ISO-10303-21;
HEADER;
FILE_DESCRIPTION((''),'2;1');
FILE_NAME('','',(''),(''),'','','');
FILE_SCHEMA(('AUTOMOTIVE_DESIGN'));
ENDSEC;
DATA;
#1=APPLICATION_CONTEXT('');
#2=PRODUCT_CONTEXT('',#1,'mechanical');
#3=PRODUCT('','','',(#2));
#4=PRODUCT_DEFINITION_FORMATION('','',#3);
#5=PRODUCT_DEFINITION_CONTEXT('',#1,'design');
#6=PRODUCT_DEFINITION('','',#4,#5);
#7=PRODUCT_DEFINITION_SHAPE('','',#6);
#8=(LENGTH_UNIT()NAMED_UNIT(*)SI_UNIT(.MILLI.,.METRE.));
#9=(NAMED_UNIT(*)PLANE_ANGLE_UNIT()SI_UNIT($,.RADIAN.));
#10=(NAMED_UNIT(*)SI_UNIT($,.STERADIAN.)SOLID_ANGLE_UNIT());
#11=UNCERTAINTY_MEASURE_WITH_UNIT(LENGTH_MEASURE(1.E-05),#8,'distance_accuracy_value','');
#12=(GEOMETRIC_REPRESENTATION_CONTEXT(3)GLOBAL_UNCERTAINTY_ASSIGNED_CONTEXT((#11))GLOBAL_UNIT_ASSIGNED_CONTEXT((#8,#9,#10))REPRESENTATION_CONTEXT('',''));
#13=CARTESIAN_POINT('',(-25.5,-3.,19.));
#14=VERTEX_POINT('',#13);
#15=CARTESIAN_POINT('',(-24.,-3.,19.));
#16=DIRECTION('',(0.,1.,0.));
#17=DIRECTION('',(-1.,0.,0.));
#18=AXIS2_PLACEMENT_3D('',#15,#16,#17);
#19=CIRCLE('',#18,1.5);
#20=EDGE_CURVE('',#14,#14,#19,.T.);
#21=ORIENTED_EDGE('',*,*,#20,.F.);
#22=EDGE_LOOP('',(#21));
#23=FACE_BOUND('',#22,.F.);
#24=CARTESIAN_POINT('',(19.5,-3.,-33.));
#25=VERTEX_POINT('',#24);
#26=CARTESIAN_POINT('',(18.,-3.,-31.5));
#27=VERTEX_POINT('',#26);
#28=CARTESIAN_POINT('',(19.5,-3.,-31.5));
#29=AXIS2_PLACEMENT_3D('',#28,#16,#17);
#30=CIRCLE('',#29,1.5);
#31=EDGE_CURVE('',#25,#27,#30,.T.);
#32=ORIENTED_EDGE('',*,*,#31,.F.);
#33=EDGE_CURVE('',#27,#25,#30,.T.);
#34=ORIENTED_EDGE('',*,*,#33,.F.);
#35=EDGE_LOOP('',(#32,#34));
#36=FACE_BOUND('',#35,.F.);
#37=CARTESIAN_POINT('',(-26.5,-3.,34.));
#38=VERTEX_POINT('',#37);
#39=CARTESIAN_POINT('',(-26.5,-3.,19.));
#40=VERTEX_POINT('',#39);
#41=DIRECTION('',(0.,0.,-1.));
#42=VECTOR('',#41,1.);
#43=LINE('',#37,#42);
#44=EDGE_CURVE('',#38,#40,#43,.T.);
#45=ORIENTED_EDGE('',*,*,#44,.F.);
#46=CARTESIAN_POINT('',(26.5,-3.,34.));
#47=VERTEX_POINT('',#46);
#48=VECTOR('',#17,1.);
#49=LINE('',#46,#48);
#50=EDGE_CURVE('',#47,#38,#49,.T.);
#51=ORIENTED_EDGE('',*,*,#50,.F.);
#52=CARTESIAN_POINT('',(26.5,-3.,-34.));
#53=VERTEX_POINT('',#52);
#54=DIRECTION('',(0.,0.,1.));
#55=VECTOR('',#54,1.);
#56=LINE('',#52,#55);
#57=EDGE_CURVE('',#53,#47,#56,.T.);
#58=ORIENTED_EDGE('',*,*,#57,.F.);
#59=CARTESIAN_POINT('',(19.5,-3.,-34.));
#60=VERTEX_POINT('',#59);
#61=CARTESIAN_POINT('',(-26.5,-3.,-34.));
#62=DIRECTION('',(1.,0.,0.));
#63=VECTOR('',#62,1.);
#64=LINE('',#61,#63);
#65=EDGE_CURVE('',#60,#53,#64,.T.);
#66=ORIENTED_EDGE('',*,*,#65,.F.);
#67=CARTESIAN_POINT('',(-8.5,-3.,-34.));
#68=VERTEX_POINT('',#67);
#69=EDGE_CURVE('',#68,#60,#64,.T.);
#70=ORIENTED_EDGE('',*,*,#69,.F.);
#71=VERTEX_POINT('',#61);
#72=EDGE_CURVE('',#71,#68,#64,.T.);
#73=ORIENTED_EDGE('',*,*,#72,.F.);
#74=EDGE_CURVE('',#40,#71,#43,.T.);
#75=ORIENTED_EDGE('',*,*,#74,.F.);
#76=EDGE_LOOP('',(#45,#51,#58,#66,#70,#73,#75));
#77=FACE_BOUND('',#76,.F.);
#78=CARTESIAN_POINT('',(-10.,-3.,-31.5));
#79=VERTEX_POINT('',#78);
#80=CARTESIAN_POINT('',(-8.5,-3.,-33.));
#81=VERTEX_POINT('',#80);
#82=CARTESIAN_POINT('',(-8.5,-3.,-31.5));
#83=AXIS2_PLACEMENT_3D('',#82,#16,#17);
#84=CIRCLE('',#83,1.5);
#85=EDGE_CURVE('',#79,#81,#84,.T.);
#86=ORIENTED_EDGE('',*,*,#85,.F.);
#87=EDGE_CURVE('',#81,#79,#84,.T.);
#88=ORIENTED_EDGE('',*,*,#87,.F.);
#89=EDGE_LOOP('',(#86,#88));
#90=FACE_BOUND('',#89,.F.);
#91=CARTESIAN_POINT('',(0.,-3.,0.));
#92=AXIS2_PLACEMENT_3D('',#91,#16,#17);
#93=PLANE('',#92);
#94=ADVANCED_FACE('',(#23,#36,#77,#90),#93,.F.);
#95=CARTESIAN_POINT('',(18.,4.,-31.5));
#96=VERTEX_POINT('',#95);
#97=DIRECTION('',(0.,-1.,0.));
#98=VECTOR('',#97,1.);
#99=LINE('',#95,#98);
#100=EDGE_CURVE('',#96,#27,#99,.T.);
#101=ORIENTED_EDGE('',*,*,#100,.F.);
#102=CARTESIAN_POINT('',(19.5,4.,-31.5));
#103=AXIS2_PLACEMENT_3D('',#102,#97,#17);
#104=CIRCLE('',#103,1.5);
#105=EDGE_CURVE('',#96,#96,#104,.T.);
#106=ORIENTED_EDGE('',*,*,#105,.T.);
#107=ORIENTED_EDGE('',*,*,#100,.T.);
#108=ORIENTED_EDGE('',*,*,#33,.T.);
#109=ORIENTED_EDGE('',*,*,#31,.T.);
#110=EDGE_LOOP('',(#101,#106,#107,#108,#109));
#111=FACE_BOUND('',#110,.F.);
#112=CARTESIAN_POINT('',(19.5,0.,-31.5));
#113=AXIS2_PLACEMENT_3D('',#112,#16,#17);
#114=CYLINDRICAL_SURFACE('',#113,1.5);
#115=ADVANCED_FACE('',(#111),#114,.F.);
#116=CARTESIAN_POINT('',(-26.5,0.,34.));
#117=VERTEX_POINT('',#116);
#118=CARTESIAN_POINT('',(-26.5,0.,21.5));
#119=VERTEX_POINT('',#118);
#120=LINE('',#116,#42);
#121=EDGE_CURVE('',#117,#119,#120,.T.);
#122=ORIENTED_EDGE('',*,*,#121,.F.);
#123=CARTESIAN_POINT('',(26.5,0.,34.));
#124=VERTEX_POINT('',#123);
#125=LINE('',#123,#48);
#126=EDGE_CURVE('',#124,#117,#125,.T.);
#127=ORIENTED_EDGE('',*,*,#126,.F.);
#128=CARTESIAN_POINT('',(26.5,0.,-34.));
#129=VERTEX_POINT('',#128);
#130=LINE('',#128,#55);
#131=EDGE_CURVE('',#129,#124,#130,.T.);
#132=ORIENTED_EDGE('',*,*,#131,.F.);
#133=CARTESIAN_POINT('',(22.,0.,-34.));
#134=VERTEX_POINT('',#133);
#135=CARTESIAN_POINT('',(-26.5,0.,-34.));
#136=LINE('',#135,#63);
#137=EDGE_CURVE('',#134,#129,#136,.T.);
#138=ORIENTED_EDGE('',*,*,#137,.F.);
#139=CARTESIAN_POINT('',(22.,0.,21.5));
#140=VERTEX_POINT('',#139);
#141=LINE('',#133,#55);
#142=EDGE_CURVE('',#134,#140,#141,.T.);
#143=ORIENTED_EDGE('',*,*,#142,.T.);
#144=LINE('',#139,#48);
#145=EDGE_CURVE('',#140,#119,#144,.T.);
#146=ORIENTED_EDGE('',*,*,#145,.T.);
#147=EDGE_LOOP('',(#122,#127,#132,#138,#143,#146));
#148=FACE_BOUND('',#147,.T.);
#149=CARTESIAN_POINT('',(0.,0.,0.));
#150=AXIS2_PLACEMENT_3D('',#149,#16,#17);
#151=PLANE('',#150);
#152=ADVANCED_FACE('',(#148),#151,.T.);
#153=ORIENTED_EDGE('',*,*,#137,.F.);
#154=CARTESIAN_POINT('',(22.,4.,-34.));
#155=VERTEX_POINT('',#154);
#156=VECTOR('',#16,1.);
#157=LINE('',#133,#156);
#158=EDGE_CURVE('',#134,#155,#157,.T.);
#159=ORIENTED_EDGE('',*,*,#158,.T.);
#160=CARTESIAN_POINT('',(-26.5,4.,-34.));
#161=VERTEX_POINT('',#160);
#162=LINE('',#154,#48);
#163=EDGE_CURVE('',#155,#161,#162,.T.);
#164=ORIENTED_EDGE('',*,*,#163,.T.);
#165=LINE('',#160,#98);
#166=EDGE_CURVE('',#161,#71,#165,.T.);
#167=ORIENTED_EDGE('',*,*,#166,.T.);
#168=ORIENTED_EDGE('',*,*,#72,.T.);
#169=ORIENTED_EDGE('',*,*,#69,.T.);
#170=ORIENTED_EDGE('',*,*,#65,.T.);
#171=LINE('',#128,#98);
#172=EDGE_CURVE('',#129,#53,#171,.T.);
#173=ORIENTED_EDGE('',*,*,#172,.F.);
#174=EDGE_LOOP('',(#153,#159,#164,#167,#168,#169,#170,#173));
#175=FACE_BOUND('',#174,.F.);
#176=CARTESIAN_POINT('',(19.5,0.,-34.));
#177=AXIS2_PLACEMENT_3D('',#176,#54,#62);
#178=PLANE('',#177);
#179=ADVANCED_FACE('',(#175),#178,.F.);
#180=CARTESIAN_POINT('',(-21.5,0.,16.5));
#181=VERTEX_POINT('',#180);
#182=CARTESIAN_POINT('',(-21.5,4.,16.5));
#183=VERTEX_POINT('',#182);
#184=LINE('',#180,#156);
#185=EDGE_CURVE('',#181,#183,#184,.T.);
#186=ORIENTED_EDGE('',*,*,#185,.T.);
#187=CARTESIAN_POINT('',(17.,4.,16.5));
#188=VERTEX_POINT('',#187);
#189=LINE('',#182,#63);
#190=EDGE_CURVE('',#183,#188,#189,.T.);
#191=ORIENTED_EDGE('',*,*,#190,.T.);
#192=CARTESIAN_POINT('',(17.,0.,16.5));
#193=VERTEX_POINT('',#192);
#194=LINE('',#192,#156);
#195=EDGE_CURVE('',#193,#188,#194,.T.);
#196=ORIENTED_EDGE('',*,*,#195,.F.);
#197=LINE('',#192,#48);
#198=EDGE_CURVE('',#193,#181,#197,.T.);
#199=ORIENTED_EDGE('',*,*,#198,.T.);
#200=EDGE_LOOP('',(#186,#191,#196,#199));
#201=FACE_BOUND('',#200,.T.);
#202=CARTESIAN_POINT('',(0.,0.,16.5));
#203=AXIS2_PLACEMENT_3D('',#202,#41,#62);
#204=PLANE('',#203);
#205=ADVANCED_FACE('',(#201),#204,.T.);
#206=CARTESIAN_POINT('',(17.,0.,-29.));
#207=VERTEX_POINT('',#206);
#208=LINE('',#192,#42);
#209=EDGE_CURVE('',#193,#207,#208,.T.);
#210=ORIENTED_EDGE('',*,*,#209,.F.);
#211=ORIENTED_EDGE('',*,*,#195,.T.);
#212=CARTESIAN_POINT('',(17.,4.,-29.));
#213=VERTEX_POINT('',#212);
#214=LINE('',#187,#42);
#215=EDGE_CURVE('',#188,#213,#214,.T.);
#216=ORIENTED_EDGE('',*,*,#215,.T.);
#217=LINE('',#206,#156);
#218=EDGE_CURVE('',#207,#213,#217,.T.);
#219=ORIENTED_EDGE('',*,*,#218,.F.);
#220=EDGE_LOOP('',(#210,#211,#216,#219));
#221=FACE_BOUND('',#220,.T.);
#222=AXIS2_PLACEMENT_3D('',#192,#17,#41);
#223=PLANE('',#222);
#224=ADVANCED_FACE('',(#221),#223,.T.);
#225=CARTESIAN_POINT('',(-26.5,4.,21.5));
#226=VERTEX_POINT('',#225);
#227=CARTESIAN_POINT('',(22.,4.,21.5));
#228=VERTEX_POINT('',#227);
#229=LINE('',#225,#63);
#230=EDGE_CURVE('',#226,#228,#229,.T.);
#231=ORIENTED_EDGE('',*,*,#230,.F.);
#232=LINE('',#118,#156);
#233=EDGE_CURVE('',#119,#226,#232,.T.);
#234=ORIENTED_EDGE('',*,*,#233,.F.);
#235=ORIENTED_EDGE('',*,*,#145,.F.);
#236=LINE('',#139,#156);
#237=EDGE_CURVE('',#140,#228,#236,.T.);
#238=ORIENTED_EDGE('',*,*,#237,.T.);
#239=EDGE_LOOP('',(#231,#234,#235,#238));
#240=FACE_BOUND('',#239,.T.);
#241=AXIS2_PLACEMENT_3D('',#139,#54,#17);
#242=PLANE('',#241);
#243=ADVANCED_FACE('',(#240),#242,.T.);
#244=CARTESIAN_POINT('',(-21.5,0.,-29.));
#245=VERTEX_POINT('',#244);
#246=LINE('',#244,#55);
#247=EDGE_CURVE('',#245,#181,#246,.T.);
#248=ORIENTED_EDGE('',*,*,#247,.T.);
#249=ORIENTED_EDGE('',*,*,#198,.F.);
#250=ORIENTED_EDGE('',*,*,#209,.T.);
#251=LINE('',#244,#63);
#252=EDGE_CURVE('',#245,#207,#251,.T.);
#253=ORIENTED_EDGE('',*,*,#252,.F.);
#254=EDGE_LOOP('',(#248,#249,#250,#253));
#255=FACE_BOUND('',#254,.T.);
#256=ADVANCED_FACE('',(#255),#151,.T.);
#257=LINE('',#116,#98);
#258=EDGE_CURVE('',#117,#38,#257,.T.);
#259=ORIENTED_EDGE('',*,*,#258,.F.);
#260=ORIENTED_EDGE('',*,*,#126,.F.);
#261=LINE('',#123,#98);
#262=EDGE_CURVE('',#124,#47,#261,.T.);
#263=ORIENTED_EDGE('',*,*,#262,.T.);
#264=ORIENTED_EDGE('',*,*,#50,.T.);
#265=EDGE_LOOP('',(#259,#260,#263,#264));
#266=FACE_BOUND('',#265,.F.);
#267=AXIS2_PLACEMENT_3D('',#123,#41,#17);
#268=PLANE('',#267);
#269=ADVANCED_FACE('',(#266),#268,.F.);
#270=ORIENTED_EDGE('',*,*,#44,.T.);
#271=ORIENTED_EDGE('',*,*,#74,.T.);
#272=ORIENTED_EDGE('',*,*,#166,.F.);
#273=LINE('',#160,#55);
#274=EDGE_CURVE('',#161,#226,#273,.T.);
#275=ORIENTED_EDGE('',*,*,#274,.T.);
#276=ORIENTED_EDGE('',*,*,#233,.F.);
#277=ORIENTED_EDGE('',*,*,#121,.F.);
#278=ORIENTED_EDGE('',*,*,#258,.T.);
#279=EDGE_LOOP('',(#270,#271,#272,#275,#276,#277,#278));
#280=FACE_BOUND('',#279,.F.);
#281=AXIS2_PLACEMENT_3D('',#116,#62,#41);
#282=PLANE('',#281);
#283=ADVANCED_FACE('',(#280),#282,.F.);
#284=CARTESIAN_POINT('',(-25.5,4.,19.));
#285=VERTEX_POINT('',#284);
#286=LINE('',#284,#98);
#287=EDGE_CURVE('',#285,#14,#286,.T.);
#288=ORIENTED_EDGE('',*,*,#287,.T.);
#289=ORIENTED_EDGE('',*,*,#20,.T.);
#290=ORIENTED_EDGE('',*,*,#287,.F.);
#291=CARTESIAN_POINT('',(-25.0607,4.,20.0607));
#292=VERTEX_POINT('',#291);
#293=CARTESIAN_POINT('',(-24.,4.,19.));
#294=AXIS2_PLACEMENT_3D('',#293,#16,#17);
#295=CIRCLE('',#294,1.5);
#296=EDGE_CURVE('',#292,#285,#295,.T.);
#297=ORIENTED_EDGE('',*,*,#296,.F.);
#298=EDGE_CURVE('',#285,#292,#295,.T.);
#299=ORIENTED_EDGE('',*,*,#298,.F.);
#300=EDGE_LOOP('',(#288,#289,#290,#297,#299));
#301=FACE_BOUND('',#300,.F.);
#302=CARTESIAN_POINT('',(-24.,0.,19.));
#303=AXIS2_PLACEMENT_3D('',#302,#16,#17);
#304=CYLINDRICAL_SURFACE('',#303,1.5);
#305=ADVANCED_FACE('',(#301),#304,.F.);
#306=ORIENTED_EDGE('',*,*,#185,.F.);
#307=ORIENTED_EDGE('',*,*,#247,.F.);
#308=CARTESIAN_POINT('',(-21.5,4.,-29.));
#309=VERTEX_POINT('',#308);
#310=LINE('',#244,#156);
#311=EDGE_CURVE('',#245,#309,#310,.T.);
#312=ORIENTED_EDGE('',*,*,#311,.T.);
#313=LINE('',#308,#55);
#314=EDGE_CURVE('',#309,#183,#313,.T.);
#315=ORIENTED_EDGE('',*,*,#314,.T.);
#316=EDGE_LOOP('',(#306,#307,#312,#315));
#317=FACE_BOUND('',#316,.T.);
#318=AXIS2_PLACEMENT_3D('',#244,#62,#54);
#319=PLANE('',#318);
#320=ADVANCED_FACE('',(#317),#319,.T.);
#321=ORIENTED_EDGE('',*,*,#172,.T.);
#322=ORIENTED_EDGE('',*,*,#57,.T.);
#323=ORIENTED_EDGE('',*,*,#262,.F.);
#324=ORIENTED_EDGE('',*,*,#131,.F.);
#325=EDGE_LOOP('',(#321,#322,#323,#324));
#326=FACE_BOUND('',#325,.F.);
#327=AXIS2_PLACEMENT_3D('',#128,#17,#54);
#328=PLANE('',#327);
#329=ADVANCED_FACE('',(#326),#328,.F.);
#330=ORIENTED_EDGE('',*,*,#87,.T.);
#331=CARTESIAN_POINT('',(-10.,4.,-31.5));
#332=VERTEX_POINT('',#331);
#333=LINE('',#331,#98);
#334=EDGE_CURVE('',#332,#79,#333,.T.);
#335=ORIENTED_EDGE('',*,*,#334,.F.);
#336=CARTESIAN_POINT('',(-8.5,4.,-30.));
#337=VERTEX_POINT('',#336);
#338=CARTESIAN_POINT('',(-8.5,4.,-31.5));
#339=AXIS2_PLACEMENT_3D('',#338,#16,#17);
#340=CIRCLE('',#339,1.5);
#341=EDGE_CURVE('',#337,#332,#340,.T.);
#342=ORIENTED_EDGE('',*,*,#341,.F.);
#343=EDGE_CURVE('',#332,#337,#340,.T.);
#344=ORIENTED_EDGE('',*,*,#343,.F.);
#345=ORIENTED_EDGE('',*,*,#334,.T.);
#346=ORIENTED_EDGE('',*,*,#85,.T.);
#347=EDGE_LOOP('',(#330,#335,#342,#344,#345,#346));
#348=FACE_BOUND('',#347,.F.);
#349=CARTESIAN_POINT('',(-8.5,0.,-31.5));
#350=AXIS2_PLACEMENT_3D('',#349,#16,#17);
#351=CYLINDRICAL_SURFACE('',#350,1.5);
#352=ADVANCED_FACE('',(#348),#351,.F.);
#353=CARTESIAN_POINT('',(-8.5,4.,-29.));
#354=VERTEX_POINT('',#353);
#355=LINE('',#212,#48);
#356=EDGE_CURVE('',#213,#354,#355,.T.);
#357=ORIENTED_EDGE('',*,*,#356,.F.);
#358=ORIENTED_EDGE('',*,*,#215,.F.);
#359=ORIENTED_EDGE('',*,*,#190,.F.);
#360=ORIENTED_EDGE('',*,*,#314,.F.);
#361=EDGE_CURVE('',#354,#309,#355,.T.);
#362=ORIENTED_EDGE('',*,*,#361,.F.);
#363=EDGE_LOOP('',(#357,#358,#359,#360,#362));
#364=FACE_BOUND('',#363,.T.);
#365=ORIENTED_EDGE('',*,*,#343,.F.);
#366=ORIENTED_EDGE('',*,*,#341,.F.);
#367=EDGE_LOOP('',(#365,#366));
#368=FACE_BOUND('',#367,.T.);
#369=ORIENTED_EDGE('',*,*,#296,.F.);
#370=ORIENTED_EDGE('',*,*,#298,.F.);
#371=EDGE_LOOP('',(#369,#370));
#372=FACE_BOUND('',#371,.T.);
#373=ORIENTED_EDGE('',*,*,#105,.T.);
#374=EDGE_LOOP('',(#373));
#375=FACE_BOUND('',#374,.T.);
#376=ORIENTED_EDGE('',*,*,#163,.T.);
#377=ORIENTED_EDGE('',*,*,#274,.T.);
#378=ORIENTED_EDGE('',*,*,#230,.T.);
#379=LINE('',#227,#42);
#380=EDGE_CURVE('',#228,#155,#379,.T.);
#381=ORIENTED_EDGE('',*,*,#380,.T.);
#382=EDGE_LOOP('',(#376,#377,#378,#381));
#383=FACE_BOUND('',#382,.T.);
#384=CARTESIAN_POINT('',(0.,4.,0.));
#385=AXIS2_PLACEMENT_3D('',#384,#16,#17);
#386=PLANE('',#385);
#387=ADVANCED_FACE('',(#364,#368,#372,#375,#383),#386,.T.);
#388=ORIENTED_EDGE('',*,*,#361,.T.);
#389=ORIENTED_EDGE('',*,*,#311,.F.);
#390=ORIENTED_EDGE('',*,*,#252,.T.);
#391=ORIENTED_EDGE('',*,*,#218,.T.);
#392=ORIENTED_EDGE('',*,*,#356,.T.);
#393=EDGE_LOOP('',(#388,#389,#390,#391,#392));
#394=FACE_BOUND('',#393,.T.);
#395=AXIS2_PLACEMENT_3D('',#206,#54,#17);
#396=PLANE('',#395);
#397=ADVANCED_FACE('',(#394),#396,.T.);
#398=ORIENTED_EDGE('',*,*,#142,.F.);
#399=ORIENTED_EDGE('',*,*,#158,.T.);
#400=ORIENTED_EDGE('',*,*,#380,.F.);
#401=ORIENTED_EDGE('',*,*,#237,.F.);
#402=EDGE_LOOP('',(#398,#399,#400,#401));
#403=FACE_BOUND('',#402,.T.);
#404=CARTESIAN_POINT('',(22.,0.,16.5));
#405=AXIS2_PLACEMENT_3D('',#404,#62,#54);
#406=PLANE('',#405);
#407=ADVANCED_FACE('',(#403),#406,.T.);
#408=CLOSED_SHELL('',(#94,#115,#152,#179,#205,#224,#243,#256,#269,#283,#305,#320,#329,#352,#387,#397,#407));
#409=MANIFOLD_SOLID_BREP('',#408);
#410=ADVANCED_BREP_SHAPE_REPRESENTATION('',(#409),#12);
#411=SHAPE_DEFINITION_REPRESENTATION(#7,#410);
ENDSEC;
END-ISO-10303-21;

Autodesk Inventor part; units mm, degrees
ref_plane "YZ Plane" through (0, 0, 0) normal (1, 0, 0) x (0, 1, 0)
ref_plane "XZ Plane" through (0, 0, 0) normal (0, 1, 0) x (-1, 0, 0)
ref_plane "XY Plane" through (0, 0, 0) normal (0, 0, 1) x (1, 0, 0)
sketch "Sketch1" plane through (0, 0, 0) normal (0, 1, 0) x (-1, 0, 0)
  line L0 (-26.5, 34) -> (26.5, 34)
  line L1 (26.5, 34) -> (26.5, -34)
  line L2 (26.5, -34) -> (-26.5, -34)
  line L3 (-26.5, -34) -> (-26.5, 34)
  line L4 (-26.5, 34) -> (26.5, -34) construction
  line L5 (26.5, 34) -> (-26.5, -34) construction
  line L6 (26.5, 34) -> (26.5, 19)
  line L7 (-26.5, -34) -> (-19.5, -34)
  line L8 (-26.5, -34) -> (8.5, -34)
  circle A0 centre (8.5, -31.5) radius 1.5
  circle A1 centre (-19.5, -31.5) radius 1.5
  line L9 (-19.5, -33) -> (-19.5, -34)
  line L10 (8.5, -33) -> (8.5, -34)
  circle A2 centre (-19.5, -31.5) radius 1.5
  circle A3 centre (24, 19) radius 1.5
  line L11 (25.5, 19) -> (26.5, 19)
  line L12 (26.5, 19) -> (25.5, 19)
  point P0 (0, 0)
  dimension "d6" = 3
  dimension "d7" = 3
  dimension "d9" = 3
  dimension "d0" = 53
  dimension "d1" = 68
  dimension "d2" = 15
  dimension "d3" = 7
  dimension "d4" = 35
  dimension "d12" = 1
  dimension "d13" = 1
sketch "Sketch2" plane through (0, 0, 0) normal (0, 1, 0) x (-1, 0, 0)
  line L0 (0, 0) -> (0, 34)
  line L1 (0, 34) -> (0, 21.5)
  line L2 (0, 21.5) -> (26.5, 21.5)
  line L3 (26.5, 21.5) -> (26.5, -34)
  line L4 (26.5, -34) -> (-22, -34)
  line L5 (-22, -34) -> (-22, 21.5)
  line L6 (-22, 21.5) -> (0, 21.5)
  line L7 (26.5, 21.5) -> (26.5, 16.5)
  line L8 (21.5, 16.5) -> (-22, 16.5)
  line L9 (-22, 16.5) -> (-17, 16.5)
  line L10 (-22, 21.5) -> (-17, 21.5)
  line L11 (-17, 16.5) -> (-17, -29)
  line L12 (-22, -34) -> (-22, -29)
  line L13 (-17, -29) -> (21.5, -29)
  line L14 (26.5, -34) -> (21.5, -34)
  line L15 (21.5, -29) -> (21.5, 16.5)
  circle A0 centre (24, 19) radius 1.5
  line L16 (21.5, -29) -> (8.5, -29)
  line L17 (8.5, -29) -> (8.5, -31.5)
  circle A1 centre (8.5, -31.5) radius 1.5
  circle A2 centre (-19.5, -31.5) radius 1.5
  circle A3 centre (8.5, -31.5) radius 1.5
  line L18 (26.5, 21.5) -> (25.0607, 20.0607)
  line L19 (-17, -29) -> (-18.4393, -30.4393)
  line L20 (-20.5607, -32.5607) -> (-22, -34)
  point P0 (-17, -6.25)
  dimension "d25" = 3
  dimension "d14" = 34
  dimension "d15" = 12.5
  dimension "d16" = 26.5
  dimension "d17" = 55.5
  dimension "d18" = 48.5
  dimension "d19" = 55.5
  dimension "d20" = 5
  dimension "d21" = 48.5
  dimension "d23" = 5
  dimension "d24" = 5
  dimension "d26" = 13
  dimension "d27" = 3
  dimension "d28" = 3
  dimension "d29" = 3
extrude "Extrusion1" add sketch "Sketch2" along normal blind 4 contours L8 L5 L6 L0 | L0 L2 L3 L4 L20 A2 L19 L13 L15 L8 | L11 L19 A2 L20 L5 L8
extrude "Extrusion2" add sketch "Sketch1" against normal blind 3
properties part number "Arduino_Screw_Hole_Base"
